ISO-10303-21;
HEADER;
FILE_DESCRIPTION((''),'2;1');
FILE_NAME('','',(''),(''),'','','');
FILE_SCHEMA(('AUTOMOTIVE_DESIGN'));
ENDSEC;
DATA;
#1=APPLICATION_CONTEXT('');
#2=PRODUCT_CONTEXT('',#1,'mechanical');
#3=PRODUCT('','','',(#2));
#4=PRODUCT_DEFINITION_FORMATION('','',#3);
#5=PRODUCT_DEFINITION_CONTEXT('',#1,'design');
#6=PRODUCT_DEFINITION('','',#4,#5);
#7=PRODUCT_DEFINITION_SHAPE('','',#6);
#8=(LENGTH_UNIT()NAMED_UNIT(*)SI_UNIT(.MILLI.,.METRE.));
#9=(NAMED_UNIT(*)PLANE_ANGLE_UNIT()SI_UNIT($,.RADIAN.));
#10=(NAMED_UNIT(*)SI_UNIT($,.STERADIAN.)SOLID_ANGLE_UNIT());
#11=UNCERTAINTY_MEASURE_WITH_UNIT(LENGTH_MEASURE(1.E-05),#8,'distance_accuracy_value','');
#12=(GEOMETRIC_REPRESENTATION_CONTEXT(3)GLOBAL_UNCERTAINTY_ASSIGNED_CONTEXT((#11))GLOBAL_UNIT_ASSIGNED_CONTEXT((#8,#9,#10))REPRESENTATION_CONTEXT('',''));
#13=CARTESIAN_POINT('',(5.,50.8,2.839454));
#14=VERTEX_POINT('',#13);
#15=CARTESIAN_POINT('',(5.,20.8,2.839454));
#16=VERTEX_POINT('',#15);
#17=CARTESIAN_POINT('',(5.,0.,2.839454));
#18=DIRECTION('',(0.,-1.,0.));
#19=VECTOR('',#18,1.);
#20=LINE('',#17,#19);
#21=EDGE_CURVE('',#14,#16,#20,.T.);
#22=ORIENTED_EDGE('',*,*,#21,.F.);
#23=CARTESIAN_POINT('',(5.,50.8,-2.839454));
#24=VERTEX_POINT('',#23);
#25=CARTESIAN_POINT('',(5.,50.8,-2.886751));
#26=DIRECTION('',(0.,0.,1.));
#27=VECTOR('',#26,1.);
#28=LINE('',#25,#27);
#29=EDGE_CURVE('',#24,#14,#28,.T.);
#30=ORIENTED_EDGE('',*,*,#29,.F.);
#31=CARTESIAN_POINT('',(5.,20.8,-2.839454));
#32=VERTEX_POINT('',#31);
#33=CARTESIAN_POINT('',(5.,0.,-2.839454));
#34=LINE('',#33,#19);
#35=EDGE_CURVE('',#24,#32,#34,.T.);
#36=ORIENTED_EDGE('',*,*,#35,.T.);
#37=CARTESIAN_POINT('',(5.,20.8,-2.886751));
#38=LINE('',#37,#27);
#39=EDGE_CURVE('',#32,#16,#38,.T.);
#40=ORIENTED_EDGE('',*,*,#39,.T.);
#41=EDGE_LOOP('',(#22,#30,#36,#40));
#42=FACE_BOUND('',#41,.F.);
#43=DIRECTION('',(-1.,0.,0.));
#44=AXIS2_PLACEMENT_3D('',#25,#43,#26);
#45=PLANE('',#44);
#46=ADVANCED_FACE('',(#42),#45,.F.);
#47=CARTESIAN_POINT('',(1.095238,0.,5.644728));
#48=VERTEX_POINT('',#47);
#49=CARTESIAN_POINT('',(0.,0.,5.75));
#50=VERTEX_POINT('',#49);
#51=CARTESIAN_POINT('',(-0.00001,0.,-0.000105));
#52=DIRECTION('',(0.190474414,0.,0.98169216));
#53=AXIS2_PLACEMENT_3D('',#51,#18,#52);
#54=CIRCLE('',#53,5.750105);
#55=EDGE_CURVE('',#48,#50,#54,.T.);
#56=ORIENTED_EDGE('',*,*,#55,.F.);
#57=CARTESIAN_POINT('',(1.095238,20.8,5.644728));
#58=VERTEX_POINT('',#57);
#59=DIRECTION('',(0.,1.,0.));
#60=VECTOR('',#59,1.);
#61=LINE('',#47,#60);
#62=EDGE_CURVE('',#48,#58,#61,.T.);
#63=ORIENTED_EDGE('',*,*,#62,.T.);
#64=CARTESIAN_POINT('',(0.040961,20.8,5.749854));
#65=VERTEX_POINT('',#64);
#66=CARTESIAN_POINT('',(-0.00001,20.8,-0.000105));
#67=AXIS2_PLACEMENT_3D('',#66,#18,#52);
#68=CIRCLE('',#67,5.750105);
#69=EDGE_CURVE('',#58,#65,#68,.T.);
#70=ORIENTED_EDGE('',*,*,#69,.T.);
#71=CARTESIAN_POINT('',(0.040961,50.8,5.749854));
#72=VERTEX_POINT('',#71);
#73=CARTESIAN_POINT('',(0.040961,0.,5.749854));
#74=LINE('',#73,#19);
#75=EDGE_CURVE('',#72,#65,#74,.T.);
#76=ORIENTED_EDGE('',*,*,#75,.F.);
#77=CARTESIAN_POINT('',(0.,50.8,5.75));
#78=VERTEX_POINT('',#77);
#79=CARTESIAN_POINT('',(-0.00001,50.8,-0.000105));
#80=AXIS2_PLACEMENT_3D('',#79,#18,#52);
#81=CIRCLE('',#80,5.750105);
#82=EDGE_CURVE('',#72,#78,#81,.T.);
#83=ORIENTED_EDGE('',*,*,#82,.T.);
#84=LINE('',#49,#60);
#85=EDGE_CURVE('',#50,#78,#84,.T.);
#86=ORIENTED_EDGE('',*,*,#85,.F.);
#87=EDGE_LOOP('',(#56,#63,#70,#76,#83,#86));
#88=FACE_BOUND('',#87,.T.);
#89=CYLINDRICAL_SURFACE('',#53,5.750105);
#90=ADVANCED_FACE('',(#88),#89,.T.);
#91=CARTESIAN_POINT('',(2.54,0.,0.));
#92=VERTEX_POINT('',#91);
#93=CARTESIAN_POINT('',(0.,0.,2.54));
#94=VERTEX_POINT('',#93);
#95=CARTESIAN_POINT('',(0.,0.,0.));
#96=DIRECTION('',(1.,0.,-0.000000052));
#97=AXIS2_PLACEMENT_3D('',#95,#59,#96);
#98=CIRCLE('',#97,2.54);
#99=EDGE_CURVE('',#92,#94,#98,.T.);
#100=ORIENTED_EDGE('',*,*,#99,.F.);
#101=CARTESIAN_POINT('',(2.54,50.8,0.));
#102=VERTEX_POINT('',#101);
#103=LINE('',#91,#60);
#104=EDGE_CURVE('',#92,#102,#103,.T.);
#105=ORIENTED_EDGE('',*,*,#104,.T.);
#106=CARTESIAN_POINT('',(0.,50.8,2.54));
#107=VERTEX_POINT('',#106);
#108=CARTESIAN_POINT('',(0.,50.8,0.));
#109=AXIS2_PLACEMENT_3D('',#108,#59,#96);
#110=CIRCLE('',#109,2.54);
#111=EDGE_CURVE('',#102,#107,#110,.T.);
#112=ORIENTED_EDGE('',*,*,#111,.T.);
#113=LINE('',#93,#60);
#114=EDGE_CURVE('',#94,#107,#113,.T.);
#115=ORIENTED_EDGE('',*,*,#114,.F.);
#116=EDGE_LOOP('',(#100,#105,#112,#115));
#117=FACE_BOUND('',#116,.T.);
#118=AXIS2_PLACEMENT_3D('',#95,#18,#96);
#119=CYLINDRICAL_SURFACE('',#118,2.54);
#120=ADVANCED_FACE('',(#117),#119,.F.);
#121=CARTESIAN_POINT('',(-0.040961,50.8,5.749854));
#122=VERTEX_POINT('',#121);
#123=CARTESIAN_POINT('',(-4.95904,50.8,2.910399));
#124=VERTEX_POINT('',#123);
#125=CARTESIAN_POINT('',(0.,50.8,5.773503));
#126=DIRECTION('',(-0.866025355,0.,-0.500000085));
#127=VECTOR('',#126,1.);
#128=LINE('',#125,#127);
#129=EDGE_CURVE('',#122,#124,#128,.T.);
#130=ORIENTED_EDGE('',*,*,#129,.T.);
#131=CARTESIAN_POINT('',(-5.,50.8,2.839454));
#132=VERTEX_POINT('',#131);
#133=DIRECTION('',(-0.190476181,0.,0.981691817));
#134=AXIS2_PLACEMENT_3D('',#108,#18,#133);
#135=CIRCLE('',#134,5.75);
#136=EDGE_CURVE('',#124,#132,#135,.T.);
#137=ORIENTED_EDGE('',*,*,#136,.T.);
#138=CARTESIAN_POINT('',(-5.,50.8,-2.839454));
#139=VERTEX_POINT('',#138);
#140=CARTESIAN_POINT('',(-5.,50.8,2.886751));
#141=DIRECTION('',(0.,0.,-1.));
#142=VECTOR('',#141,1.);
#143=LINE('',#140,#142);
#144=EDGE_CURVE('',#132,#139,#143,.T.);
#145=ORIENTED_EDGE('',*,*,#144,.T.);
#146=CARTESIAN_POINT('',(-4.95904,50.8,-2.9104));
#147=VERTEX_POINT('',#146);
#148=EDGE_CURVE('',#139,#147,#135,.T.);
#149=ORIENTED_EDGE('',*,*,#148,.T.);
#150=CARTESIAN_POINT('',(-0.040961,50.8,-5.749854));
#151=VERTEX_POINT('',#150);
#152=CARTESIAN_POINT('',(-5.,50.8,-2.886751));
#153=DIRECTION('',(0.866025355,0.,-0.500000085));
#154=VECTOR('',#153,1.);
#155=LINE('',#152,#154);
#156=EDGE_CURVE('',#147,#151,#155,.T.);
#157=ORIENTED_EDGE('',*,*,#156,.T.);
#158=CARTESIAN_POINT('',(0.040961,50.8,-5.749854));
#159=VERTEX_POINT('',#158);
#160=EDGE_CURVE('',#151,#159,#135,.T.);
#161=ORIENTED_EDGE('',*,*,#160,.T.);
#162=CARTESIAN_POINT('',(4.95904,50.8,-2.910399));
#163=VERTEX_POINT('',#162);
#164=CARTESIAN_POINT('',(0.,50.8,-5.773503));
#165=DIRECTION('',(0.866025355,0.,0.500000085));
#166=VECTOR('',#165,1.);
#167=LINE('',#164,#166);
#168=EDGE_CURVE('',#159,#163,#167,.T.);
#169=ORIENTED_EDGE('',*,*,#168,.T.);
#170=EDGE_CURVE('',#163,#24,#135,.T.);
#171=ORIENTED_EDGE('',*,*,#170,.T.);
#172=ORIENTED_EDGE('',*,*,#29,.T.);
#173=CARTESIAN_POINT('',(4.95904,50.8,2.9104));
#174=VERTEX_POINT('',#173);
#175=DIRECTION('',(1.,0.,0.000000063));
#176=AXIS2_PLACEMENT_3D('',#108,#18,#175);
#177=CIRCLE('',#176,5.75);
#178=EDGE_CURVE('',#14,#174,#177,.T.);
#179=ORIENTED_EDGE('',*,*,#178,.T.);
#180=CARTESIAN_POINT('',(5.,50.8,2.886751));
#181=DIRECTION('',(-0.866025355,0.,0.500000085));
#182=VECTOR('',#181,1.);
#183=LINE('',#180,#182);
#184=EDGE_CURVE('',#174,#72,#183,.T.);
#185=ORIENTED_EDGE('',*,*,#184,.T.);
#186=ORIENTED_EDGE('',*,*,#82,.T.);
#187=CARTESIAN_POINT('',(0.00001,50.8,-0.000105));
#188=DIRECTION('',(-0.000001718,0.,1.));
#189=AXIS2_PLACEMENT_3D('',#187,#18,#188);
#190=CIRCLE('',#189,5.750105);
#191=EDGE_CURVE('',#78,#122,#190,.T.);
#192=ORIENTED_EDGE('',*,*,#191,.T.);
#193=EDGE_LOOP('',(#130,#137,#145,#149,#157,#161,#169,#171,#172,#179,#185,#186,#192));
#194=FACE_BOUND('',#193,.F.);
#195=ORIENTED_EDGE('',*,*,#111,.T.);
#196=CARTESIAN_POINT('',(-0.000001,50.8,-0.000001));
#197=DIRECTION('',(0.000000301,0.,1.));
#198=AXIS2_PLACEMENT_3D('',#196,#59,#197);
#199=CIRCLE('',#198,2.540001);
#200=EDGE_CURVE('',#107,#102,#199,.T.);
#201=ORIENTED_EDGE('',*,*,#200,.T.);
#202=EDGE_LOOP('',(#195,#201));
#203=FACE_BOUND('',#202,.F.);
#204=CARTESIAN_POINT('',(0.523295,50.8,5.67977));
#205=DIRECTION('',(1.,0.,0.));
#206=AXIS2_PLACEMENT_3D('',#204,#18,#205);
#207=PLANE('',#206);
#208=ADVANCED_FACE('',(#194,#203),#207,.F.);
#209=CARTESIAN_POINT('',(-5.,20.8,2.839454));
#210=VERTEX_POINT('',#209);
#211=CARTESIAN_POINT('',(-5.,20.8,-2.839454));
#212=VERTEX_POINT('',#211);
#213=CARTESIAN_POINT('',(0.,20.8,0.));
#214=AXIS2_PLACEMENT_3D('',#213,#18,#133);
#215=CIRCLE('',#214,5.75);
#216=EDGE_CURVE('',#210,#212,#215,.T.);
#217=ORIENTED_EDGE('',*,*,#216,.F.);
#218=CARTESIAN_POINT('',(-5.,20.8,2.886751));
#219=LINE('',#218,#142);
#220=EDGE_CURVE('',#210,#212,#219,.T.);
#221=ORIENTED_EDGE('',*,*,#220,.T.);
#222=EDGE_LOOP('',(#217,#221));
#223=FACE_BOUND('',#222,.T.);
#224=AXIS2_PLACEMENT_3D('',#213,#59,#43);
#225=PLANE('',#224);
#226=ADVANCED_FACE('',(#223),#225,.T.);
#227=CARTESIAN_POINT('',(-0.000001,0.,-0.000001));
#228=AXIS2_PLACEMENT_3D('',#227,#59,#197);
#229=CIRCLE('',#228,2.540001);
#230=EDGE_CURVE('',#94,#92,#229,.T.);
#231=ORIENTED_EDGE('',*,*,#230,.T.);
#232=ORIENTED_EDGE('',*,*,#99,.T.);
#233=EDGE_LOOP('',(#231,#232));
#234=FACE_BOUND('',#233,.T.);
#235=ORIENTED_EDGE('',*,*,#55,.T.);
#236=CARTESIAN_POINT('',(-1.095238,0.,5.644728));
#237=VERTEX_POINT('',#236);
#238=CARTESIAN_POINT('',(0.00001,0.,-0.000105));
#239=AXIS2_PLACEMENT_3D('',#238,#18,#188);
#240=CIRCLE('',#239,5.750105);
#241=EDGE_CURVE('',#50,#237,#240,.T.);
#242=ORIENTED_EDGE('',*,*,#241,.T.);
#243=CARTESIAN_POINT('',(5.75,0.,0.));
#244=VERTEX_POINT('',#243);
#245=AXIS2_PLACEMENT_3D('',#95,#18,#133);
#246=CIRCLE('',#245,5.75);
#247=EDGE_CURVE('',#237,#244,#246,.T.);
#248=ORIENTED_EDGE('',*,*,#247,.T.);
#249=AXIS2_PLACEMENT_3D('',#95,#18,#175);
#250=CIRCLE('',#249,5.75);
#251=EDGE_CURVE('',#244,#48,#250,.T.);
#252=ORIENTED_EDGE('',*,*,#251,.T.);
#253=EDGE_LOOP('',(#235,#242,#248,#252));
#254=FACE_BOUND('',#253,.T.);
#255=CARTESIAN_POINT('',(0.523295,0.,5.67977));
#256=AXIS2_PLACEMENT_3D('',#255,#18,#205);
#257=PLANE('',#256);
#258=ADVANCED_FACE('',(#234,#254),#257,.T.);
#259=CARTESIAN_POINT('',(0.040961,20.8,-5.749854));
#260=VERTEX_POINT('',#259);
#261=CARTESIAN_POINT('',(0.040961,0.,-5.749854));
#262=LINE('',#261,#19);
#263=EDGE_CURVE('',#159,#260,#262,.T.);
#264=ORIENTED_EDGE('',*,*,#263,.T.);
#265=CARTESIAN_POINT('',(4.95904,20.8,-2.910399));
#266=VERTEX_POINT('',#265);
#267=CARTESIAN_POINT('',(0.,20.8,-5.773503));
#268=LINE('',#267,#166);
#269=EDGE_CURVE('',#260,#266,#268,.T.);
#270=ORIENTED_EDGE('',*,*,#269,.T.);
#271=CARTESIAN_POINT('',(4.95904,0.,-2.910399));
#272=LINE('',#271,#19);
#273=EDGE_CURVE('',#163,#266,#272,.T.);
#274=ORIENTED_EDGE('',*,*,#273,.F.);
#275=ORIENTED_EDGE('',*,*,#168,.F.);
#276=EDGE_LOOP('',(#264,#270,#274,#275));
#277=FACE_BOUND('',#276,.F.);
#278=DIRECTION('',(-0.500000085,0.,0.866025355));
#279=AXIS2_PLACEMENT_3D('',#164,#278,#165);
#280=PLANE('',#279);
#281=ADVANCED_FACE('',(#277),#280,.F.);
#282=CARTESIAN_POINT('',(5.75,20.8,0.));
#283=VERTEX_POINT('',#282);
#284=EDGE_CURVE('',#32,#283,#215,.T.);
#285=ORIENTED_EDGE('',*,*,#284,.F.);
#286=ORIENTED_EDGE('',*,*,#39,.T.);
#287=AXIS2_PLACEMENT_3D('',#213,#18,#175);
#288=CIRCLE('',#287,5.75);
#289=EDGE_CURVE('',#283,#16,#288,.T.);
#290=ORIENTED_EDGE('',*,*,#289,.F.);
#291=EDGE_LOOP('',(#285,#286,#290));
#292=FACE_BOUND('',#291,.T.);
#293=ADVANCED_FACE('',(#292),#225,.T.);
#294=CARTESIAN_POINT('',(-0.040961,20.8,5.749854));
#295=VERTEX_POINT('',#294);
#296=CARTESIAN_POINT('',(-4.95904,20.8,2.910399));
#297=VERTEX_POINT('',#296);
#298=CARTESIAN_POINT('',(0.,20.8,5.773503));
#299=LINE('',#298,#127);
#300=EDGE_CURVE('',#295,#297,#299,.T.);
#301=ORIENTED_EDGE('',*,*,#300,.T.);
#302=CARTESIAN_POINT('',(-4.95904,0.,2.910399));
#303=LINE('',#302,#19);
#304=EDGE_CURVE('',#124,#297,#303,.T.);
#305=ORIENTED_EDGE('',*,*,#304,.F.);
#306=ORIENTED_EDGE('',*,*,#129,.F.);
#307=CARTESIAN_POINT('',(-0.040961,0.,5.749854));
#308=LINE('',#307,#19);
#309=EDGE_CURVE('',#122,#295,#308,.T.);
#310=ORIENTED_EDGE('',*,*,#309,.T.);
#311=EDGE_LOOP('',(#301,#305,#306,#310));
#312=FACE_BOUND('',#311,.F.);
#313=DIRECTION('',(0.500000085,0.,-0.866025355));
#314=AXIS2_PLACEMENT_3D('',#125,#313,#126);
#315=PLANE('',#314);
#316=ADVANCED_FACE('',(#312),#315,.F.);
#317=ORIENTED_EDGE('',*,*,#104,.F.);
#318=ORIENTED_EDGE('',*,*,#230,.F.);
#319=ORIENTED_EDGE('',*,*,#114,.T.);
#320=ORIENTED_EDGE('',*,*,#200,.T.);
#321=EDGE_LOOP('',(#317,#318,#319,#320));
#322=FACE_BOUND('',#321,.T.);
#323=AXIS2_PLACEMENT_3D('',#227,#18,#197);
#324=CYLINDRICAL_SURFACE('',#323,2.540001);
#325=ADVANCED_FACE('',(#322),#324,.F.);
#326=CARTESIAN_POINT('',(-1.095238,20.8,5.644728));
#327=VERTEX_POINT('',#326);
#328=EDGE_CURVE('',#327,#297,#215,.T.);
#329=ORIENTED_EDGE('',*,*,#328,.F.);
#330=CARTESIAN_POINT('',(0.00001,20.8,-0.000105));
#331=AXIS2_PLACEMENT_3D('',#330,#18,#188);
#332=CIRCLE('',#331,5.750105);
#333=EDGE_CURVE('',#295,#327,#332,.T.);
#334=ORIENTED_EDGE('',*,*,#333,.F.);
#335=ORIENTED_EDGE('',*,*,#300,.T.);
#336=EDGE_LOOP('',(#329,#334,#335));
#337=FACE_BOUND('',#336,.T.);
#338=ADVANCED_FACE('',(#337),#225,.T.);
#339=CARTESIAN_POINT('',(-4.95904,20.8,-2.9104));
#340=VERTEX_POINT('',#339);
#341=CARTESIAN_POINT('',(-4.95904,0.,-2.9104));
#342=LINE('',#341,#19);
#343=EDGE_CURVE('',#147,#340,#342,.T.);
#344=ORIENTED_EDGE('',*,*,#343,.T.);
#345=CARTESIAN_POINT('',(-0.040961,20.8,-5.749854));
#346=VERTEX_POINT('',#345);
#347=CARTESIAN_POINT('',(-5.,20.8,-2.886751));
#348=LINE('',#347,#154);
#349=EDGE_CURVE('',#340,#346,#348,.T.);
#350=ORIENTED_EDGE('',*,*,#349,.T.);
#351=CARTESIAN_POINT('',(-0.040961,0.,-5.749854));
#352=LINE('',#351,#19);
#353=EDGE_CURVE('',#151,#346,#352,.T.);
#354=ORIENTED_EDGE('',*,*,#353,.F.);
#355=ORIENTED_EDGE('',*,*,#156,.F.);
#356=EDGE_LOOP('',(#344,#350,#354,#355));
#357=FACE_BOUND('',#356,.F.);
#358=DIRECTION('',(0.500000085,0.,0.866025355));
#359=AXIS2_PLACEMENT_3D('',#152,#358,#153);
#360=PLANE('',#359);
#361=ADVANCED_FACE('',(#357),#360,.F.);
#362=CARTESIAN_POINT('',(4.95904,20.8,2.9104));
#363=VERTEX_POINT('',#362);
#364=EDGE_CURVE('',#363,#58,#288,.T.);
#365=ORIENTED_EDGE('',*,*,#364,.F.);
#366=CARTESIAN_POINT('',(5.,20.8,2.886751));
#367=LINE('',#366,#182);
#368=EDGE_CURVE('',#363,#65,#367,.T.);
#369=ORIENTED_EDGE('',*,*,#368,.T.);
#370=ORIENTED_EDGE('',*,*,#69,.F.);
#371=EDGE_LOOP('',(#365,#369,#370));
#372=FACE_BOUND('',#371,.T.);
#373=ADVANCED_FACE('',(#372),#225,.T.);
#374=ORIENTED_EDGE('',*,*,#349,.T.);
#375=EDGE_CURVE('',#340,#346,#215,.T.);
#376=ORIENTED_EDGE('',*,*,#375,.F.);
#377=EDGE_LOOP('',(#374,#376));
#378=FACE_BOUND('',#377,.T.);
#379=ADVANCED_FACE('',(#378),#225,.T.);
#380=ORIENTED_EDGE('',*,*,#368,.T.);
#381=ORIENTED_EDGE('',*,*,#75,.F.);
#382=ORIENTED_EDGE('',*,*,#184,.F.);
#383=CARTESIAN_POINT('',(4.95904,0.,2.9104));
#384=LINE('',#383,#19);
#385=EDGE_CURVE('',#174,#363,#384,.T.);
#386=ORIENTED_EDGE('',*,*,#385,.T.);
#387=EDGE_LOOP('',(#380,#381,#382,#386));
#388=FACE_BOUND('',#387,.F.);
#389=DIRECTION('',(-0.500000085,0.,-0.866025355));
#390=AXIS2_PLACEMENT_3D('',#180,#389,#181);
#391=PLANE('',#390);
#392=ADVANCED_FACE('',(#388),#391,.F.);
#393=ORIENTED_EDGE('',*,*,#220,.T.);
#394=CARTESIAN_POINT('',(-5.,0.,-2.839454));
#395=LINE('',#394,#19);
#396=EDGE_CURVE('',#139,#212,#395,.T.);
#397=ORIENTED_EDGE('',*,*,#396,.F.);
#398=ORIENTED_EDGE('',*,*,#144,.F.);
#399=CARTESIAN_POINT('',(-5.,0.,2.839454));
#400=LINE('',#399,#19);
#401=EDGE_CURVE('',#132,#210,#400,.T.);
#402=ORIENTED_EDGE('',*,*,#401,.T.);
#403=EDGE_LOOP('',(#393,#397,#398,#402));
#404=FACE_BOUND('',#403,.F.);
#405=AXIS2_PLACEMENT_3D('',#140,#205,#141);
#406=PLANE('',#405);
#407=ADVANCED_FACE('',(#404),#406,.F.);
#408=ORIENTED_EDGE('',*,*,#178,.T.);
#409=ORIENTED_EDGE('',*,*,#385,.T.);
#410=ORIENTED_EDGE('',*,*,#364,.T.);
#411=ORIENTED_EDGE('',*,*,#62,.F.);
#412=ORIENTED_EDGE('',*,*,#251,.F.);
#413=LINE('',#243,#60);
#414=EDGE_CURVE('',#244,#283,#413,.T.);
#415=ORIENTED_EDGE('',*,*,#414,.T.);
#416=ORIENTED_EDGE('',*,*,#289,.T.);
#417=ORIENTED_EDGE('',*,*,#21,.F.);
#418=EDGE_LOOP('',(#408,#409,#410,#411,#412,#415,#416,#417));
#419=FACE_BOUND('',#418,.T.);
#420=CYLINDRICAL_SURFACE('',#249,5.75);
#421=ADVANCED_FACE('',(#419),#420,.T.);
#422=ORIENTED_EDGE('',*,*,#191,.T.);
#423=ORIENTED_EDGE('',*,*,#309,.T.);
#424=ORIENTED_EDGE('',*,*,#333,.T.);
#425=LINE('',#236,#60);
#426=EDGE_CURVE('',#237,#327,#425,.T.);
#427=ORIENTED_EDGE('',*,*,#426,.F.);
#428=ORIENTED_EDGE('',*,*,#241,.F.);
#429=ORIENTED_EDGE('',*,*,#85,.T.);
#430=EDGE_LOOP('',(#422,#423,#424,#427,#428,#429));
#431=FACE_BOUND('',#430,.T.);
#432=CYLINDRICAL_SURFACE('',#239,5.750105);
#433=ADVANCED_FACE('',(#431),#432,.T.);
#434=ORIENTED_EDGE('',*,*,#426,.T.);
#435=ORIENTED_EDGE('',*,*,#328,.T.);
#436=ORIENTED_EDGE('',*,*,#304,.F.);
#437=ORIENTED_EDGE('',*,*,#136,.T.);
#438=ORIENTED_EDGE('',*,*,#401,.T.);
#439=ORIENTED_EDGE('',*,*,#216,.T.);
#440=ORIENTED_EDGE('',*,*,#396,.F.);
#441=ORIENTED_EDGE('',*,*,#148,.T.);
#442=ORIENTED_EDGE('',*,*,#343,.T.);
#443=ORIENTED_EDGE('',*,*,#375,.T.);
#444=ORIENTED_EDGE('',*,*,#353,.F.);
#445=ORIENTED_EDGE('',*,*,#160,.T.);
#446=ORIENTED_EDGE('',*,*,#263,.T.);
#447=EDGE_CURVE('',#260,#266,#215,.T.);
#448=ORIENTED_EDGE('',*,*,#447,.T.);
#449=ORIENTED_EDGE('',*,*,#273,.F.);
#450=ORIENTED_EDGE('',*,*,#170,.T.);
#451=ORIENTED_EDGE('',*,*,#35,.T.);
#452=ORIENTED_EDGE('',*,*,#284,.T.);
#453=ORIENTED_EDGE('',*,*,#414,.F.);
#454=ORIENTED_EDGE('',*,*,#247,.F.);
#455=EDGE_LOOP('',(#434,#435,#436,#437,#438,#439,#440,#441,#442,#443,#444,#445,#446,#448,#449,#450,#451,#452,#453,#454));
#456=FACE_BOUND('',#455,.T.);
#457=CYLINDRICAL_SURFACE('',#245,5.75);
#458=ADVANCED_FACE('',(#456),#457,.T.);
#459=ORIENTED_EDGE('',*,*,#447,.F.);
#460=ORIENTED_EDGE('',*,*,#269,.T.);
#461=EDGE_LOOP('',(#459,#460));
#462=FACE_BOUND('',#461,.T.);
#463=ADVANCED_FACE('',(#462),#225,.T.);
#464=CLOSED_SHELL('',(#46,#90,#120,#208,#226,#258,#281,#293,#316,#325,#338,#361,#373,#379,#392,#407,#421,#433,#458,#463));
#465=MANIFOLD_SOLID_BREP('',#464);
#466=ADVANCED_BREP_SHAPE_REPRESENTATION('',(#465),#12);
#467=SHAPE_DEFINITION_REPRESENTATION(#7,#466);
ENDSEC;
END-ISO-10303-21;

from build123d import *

# Parameters (mm, degrees)
F1_DEPTH = 50.8
F2_W     = 20.294688
F2_H     = 20.55588
F3_DEPTH = 30


with BuildPart() as f1:
    # F0 (on Front) → F1 (new body)
    with BuildSketch(Plane.XZ):
        with BuildLine():
            Line((0, 5.75), (0, 5.644728))
            Line((0, 5.644728), (1.095238, 5.644728))
            ThreePointArc((1.095238, 5.644728), (0.550143, 5.723621), (0, 5.75))
        make_face()
        with BuildLine():
            Line((-1.095238, 5.644728), (0, 5.644728))
            Line((0, 5.644728), (0, 5.75))
            ThreePointArc((0, 5.75), (-0.550143, 5.723621), (-1.095238, 5.644728))
        make_face()
        with BuildLine():
            Line((1.095238, 5.644728), (0, 5.644728))
            Line((0, 5.644728), (-1.095238, 5.644728))
            ThreePointArc((-1.095238, 5.644728), (-3.658202, -4.436221), (5.75, 0))
            ThreePointArc((5.75, 0), (4.436221, 3.658202), (1.095238, 5.644728))
        make_face()
        with BuildLine():
            ThreePointArc((0, 2.54), (1.796051, 1.796051), (2.54, 0))
            ThreePointArc((2.54, 0), (-1.796051, -1.796051), (0, 2.54))
        make_face(mode=Mode.SUBTRACT)
    extrude(amount=-F1_DEPTH)

    # F2 (on face) → F3 (cut)
    with BuildSketch(Plane(origin=(0, 50.8, 0), x_dir=(-1, 0, 0), z_dir=(0, 1, 0))):
        Rectangle(F2_W, F2_H)
        Polygon((0, 5.773503), (5, 2.886751), (5, -2.886751), (0, -5.773503), (-5, -2.886751), (-5, 2.886751), align=None, mode=Mode.SUBTRACT)
    extrude(amount=-F3_DEPTH, mode=Mode.SUBTRACT)


solid = f1.part
